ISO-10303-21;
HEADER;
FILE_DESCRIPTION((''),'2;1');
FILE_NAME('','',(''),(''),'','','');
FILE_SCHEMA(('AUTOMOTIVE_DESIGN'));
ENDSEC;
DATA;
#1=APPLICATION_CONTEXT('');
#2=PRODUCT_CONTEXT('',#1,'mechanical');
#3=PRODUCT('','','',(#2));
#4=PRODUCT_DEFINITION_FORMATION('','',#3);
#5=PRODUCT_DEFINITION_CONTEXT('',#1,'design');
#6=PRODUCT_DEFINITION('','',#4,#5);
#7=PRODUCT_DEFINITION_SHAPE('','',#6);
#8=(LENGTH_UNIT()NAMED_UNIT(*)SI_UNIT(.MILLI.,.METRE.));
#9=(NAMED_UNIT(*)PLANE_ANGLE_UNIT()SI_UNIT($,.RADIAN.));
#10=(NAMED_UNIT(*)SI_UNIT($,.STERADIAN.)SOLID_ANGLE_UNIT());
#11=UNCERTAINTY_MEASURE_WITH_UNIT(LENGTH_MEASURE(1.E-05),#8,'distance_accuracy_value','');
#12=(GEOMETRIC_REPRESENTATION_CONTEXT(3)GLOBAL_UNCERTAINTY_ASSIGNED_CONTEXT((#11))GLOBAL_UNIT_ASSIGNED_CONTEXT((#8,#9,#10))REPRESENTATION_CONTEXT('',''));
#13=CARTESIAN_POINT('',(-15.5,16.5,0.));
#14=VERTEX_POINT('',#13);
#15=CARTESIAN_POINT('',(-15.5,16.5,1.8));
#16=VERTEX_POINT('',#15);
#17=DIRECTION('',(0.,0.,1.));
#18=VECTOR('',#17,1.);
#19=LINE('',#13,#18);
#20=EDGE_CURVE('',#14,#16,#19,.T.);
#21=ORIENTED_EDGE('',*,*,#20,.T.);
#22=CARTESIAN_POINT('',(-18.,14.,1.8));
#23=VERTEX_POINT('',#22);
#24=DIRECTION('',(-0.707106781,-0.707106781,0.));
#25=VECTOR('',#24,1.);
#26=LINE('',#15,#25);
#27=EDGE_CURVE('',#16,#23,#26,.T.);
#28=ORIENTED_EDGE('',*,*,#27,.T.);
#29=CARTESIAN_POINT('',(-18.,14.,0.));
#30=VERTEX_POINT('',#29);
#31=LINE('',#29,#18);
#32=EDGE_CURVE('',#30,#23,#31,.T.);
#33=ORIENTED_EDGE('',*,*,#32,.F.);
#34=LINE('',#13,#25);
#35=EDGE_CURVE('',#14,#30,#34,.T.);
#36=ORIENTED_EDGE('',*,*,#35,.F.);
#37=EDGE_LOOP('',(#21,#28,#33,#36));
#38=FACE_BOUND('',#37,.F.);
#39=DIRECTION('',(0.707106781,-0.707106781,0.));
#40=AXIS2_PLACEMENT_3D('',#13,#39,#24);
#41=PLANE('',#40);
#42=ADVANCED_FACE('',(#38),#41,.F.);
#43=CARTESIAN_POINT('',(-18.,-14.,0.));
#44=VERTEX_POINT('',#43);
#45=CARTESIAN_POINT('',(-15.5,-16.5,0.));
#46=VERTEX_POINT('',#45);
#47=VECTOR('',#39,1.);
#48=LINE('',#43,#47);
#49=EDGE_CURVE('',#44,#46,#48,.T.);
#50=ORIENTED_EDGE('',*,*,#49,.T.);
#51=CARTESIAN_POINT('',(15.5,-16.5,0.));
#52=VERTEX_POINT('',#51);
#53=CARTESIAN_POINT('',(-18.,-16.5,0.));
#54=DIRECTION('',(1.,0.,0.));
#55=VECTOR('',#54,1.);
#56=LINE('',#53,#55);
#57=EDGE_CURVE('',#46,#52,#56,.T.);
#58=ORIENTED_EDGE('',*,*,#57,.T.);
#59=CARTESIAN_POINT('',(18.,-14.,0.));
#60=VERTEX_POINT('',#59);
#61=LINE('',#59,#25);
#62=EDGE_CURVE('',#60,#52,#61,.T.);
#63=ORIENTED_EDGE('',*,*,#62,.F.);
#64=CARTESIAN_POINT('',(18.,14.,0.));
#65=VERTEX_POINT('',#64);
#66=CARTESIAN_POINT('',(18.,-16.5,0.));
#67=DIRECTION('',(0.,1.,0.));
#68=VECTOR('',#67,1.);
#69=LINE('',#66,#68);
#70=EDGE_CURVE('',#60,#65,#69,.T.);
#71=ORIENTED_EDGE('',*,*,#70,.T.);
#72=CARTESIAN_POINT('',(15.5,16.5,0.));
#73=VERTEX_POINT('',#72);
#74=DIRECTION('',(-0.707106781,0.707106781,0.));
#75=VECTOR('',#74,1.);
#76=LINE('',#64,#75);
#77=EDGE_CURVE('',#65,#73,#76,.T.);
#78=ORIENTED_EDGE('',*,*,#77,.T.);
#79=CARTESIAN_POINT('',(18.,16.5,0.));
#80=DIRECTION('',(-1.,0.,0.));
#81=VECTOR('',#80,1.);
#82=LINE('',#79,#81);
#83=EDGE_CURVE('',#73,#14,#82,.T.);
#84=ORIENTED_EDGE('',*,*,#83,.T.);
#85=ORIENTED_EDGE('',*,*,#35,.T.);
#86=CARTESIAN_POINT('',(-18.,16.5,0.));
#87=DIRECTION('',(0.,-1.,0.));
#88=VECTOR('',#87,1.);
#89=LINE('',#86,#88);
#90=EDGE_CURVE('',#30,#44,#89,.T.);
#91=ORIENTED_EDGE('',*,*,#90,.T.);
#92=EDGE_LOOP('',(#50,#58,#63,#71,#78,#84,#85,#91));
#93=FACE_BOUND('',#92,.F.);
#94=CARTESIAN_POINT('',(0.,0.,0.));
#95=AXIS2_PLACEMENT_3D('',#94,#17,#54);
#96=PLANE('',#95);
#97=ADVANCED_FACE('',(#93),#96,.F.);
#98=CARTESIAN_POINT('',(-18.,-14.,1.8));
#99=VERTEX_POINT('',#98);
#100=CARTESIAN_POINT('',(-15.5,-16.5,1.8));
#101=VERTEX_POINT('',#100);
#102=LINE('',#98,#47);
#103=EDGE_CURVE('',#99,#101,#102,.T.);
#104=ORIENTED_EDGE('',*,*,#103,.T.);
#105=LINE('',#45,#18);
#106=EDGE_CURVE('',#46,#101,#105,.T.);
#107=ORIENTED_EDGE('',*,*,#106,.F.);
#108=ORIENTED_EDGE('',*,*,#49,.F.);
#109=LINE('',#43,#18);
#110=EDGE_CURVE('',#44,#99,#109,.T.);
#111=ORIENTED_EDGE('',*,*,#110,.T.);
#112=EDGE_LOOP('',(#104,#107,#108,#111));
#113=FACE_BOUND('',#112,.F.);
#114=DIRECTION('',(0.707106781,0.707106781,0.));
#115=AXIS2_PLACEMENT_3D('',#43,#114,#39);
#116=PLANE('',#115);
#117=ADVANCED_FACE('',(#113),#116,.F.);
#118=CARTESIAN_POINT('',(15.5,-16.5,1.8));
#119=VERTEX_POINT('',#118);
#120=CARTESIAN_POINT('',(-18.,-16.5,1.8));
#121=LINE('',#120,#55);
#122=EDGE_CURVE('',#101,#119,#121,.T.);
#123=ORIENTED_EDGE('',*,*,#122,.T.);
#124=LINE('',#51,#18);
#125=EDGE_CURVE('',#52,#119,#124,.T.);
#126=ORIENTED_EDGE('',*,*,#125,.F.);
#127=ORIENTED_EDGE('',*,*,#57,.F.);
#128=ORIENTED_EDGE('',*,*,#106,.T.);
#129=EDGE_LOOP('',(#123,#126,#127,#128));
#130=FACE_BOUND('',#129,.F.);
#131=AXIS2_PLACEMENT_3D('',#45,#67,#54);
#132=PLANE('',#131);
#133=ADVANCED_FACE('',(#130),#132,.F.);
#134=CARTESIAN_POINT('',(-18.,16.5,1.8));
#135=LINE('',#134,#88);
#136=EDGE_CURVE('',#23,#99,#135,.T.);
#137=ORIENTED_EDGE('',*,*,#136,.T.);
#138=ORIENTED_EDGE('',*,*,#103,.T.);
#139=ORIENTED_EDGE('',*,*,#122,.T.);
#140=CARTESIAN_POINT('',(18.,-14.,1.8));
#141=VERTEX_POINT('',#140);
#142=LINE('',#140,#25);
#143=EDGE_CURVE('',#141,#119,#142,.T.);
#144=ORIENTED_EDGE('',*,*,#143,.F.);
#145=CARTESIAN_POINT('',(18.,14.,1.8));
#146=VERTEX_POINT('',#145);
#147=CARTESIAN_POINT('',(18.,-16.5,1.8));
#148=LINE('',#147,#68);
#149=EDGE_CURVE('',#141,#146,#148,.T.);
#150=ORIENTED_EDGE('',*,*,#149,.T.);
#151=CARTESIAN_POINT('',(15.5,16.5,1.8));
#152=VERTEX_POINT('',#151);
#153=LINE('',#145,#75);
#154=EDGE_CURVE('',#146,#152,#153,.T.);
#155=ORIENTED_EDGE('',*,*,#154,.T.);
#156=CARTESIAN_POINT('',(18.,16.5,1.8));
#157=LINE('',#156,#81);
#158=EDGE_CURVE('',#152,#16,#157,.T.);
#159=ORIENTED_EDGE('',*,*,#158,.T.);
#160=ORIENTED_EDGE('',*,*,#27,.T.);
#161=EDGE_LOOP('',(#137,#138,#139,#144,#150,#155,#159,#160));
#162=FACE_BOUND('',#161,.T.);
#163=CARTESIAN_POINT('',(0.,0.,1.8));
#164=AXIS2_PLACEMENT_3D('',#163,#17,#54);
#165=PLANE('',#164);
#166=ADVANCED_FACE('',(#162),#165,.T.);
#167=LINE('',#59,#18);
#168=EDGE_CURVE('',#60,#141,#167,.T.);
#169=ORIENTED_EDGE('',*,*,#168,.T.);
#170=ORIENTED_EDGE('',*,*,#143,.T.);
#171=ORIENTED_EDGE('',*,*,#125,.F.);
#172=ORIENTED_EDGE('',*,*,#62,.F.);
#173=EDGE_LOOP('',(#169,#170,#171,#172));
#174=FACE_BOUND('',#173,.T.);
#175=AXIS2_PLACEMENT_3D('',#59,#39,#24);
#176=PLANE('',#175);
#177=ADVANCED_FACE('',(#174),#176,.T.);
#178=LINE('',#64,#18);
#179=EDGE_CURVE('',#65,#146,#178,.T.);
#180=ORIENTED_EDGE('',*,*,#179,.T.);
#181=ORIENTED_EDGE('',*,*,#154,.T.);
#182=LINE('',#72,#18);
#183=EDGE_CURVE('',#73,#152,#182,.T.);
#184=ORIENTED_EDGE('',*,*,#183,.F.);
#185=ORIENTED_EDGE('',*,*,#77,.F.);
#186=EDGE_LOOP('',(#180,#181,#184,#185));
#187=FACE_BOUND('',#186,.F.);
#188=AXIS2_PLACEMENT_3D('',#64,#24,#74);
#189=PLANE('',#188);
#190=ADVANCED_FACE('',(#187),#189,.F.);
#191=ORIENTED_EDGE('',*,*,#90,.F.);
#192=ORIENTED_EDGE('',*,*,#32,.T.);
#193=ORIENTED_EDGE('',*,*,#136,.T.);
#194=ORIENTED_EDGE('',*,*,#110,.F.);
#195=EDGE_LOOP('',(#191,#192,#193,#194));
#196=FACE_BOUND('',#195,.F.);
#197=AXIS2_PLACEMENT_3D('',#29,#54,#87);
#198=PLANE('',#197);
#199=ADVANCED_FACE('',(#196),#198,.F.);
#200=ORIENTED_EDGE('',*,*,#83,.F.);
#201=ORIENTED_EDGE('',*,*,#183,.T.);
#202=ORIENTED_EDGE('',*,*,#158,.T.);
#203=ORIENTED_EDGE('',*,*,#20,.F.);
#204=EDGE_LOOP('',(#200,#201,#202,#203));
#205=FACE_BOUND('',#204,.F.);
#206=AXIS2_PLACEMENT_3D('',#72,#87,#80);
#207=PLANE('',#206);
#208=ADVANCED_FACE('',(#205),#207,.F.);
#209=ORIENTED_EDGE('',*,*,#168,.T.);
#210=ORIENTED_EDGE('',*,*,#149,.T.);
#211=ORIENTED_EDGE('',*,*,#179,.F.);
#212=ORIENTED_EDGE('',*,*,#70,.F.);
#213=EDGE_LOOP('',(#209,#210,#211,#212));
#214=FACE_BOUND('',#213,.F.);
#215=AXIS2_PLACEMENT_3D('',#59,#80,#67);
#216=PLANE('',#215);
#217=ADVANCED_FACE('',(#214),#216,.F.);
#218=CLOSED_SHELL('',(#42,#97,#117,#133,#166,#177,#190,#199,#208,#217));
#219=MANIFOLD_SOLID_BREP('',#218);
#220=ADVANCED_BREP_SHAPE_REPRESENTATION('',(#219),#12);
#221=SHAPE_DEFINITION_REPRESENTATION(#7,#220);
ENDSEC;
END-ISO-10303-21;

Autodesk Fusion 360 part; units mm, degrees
sketch "Skizze1" plane through (0, 0, 0) normal (0, 0, 1) x (1, 0, 0)
  line L0 (18, 16.5) -> (-18, 16.5)
  line L1 (-18, 16.5) -> (-18, -16.5)
  line L2 (-18, -16.5) -> (18, -16.5)
  line L3 (18, -16.5) -> (18, 16.5)
  line L4 (18, 14) -> (15.5, 16.5)
  line L5 (-15.5, 16.5) -> (-18, 14)
  line L6 (18, -14) -> (15.5, -16.5)
  line L7 (-18, -14) -> (-15.5, -16.5)
  dimension "d1" = 36
  dimension "d2" = 33
  dimension "d3" = 18
  dimension "d4" = 16.5
  dimension "d5" = 2.5
  dimension "d6" = 45
  dimension "d7" = 45
  dimension "d8" = 2.5
  dimension "d9" = 45
extrude "Extrusion1" add sketch "Skizze1" along normal blind 1.8 contours L0 L1 L2 L3 L4 L5 L6 L7
equation "d3 = d1 / 2"
equation "d4 = d2 / 2"
equation "d8 = d5"
